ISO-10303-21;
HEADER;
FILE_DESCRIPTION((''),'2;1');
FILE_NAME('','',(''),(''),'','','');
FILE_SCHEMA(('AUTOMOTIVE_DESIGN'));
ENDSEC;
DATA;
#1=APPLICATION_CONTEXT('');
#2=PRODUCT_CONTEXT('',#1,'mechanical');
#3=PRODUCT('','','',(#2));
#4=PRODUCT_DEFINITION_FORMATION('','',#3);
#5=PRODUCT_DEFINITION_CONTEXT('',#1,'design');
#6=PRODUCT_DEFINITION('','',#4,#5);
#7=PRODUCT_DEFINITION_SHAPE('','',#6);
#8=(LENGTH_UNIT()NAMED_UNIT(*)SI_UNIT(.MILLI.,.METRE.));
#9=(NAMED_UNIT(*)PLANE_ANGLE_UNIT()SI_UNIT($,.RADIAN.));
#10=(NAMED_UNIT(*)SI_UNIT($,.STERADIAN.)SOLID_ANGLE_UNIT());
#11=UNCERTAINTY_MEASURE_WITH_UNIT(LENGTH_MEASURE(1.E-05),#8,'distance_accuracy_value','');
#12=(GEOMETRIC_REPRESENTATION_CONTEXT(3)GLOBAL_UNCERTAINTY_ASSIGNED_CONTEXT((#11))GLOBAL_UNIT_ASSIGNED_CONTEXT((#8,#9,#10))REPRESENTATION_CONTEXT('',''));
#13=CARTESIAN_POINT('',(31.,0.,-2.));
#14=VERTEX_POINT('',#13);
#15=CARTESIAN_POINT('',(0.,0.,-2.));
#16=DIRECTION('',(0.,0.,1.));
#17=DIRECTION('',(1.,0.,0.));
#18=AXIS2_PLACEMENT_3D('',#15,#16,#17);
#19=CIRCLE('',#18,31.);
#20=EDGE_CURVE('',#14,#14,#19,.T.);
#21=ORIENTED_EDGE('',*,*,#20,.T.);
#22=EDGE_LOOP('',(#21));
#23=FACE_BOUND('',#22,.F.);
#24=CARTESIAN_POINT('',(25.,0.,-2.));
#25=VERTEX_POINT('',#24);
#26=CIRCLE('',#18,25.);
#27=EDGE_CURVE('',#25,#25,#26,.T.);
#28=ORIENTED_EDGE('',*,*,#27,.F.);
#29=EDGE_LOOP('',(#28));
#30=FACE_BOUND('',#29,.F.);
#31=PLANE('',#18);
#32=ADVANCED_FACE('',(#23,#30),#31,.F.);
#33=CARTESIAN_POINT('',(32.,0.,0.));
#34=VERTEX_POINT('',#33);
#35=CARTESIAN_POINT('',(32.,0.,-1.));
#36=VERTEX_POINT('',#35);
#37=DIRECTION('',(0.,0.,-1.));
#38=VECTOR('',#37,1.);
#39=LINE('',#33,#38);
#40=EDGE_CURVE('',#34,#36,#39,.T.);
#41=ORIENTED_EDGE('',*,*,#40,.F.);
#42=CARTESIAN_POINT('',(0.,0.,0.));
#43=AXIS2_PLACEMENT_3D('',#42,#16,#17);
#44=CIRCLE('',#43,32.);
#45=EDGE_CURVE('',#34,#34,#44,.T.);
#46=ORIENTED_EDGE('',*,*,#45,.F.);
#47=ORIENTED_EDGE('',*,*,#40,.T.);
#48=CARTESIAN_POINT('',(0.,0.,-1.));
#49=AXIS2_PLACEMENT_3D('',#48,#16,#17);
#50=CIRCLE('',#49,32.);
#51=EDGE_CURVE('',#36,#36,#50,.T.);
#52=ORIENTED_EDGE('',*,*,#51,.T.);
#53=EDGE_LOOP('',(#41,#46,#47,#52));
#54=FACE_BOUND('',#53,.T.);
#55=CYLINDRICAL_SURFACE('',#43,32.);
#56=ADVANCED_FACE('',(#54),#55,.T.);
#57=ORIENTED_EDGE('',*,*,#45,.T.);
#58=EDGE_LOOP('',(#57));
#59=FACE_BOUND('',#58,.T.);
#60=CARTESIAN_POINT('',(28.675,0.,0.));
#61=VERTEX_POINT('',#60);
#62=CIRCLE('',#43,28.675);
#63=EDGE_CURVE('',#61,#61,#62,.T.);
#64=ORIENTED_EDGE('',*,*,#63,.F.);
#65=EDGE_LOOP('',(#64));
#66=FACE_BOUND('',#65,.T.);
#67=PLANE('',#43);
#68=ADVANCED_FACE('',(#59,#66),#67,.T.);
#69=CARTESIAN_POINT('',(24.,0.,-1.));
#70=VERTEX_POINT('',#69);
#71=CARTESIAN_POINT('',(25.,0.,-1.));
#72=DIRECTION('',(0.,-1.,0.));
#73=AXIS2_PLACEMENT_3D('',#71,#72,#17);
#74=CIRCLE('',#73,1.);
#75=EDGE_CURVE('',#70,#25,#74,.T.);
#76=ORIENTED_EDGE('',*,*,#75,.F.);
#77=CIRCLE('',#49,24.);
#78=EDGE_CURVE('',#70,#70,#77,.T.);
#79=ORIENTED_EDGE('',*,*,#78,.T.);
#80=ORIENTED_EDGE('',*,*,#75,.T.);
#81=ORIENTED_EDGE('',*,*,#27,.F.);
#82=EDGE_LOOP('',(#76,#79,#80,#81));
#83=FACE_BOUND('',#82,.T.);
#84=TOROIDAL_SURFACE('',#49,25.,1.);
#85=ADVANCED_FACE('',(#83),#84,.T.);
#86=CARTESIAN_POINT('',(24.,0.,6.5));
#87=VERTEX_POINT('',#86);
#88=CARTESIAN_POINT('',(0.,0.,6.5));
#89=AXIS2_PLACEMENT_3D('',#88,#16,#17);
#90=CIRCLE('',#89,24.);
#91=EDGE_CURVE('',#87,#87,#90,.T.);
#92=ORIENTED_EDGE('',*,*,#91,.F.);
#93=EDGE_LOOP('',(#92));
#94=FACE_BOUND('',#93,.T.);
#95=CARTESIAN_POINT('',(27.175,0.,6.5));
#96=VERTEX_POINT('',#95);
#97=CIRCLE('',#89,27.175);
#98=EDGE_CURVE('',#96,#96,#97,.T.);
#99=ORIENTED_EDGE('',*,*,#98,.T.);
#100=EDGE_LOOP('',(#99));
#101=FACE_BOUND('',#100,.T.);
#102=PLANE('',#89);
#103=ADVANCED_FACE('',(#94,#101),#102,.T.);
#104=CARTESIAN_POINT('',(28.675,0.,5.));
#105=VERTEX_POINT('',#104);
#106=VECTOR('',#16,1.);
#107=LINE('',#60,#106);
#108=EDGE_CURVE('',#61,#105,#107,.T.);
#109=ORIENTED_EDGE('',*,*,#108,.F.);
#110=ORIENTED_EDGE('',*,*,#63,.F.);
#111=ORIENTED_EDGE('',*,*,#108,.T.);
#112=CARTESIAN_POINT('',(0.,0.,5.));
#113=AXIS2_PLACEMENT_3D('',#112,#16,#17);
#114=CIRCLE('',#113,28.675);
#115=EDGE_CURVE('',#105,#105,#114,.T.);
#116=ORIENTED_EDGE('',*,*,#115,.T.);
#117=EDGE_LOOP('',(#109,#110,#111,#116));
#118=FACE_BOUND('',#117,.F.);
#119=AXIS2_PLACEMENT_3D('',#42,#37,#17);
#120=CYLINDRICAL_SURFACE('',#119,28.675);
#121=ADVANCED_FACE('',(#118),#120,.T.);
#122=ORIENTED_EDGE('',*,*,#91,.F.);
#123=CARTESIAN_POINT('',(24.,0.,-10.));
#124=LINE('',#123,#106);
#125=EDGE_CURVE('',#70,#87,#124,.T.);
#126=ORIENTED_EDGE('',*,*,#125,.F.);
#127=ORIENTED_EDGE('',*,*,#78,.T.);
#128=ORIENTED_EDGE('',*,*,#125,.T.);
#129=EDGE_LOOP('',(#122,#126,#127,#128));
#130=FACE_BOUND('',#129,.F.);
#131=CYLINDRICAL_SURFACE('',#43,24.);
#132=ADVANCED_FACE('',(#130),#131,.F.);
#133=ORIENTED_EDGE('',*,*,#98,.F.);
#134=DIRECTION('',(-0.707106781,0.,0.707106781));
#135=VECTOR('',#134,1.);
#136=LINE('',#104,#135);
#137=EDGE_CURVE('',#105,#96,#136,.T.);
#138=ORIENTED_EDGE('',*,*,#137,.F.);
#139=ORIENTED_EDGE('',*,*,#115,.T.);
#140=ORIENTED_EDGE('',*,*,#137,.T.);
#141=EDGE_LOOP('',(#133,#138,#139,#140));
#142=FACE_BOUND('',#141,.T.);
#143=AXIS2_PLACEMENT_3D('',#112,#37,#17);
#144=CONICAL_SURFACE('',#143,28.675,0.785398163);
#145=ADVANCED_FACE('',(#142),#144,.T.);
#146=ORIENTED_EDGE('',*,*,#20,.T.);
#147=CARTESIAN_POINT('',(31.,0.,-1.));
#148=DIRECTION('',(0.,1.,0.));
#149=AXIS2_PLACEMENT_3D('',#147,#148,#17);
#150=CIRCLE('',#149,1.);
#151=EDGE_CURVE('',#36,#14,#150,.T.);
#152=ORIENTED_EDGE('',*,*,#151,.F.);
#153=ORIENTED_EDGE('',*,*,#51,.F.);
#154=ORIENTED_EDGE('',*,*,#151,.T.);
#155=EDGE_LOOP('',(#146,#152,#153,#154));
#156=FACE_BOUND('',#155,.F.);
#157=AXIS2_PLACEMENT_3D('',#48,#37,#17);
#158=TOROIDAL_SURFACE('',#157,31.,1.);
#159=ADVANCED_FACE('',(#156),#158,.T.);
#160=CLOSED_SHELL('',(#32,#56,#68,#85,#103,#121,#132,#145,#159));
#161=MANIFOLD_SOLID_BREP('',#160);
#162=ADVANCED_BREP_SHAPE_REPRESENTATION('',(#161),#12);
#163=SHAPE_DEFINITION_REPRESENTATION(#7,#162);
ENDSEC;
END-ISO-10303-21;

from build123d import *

# Parameters (mm, degrees)
F0_R     = 32
F3_DEPTH = 2
F1_R     = 28.675
F4_DEPTH = 6.5
F2_R     = 24
F5_DEPTH = 10
F6_SIZE  = 1.5
F7_R     = 1


with BuildPart() as f3:
    # F0 (on Top) → F3 (new body)
    with BuildSketch(Plane.XY):
        Circle(F0_R)
    extrude(amount=-F3_DEPTH)

    # F1 (on Top) → F4 (join)
    with BuildSketch(Plane.XY):
        Circle(F1_R)
    extrude(amount=F4_DEPTH)

    # F2 (on Top) → F5 (cut, symmetric)
    with BuildSketch(Plane.XY):
        Circle(F2_R)
    extrude(amount=F5_DEPTH, both=True, mode=Mode.SUBTRACT)

    # F6
    f6_edges = [f3.edges().sort_by_distance(p)[0] for p in [
        (-28.675, 0, 6.5),
    ]]
    chamfer(f6_edges, length=F6_SIZE)

    # F7
    f7_edges = [f3.edges().sort_by_distance(p)[0] for p in [
        (-24, 0, -2),
        (-32, 0, -2),
    ]]
    fillet(f7_edges, radius=F7_R)


solid = f3.part
